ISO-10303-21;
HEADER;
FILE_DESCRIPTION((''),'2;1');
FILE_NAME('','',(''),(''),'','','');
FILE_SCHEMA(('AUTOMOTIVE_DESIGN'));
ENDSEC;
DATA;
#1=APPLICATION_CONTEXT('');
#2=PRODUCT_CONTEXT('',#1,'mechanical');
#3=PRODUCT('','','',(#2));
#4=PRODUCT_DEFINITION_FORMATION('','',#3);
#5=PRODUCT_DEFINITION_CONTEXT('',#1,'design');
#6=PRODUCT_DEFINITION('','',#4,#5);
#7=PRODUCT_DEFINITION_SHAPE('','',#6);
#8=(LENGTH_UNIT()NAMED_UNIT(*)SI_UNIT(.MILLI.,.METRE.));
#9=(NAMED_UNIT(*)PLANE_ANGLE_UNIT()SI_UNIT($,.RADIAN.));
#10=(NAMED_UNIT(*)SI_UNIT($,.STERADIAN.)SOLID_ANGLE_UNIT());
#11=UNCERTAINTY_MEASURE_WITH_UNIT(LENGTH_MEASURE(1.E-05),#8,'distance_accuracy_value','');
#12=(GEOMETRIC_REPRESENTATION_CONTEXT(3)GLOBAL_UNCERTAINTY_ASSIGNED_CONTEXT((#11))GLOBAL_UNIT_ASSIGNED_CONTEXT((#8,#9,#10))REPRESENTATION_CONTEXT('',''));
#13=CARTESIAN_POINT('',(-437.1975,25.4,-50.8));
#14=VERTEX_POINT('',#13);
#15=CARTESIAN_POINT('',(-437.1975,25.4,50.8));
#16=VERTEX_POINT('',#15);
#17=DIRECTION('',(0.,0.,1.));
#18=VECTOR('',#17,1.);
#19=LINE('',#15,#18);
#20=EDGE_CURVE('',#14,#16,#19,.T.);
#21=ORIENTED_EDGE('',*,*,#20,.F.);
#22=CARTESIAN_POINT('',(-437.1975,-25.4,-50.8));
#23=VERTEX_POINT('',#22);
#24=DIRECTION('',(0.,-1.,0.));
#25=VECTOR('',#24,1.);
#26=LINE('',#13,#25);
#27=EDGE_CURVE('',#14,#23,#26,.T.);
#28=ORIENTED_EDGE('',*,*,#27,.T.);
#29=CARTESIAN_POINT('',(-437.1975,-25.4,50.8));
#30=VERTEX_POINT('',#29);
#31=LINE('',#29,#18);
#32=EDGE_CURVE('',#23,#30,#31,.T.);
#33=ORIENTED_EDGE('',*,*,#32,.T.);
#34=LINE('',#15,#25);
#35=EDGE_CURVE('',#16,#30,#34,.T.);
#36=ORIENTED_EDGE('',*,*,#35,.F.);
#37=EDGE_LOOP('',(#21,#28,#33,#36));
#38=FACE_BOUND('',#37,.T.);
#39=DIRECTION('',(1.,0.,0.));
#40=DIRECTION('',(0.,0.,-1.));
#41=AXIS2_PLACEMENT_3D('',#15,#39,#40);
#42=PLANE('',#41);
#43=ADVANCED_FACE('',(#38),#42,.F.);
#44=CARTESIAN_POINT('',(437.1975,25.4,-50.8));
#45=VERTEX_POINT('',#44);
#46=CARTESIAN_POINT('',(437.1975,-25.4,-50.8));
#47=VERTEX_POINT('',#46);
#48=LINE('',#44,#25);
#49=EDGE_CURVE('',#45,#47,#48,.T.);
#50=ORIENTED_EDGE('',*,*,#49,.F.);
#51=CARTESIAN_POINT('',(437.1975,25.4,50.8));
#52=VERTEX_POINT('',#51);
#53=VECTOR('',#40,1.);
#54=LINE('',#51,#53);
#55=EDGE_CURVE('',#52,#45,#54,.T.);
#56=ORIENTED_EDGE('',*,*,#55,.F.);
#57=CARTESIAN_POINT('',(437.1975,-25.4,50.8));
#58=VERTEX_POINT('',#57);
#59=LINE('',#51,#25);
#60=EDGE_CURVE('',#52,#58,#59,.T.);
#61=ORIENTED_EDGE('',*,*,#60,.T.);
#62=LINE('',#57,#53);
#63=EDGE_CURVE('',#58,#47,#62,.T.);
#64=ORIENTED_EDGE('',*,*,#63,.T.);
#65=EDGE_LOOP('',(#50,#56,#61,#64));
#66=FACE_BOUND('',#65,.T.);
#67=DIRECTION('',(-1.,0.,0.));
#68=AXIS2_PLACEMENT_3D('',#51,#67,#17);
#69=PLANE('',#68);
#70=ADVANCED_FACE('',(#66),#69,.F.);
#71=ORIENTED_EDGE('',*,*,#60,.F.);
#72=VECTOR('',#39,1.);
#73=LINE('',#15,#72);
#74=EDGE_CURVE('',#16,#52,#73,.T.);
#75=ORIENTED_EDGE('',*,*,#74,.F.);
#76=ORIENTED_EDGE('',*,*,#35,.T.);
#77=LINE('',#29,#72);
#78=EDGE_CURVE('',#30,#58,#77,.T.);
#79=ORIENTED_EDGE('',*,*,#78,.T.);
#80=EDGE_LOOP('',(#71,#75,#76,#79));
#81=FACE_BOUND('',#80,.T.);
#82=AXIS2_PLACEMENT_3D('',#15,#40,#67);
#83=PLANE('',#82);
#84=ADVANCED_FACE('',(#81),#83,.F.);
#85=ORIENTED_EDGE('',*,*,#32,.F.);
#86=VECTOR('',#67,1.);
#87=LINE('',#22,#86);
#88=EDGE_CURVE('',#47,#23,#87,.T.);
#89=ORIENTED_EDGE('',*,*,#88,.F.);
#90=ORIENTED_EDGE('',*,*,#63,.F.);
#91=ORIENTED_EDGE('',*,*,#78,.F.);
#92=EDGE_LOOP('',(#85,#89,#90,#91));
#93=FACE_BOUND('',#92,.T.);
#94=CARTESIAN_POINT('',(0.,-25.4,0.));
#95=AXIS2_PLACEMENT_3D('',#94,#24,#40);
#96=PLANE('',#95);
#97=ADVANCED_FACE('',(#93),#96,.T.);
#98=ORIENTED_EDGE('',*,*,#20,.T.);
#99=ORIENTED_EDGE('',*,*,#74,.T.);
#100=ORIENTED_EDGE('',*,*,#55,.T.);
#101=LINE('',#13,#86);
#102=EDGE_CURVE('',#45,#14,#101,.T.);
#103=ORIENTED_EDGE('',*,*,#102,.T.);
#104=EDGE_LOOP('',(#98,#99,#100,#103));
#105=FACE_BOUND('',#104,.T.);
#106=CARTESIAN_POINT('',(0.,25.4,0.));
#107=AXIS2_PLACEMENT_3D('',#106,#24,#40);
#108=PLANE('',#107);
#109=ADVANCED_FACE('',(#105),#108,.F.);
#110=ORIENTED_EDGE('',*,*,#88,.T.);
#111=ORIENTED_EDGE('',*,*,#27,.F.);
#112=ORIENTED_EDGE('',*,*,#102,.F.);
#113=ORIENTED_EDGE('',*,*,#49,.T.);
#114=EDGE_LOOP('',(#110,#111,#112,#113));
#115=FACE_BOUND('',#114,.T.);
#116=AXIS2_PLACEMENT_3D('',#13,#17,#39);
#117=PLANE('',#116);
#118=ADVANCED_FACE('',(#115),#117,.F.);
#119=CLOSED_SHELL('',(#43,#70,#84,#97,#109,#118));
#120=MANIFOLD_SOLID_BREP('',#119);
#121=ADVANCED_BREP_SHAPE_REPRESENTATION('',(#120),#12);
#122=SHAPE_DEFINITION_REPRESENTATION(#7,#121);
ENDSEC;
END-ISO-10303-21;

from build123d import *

# Parameters (mm, degrees)
SKETCH1_W           = 874.395
SKETCH1_H           = 101.6
BOSS_EXTRUDE1_DEPTH = 25.4


with BuildPart() as part:
    # Sketch1 → Boss-Extrude1 (new body, symmetric)
    with BuildSketch(Plane(origin=(0, 0, 0), x_dir=(1, 0, 0), z_dir=(0, 1, 0))):
        Rectangle(SKETCH1_W, SKETCH1_H)
    extrude(amount=BOSS_EXTRUDE1_DEPTH, both=True)


solid = part.part
